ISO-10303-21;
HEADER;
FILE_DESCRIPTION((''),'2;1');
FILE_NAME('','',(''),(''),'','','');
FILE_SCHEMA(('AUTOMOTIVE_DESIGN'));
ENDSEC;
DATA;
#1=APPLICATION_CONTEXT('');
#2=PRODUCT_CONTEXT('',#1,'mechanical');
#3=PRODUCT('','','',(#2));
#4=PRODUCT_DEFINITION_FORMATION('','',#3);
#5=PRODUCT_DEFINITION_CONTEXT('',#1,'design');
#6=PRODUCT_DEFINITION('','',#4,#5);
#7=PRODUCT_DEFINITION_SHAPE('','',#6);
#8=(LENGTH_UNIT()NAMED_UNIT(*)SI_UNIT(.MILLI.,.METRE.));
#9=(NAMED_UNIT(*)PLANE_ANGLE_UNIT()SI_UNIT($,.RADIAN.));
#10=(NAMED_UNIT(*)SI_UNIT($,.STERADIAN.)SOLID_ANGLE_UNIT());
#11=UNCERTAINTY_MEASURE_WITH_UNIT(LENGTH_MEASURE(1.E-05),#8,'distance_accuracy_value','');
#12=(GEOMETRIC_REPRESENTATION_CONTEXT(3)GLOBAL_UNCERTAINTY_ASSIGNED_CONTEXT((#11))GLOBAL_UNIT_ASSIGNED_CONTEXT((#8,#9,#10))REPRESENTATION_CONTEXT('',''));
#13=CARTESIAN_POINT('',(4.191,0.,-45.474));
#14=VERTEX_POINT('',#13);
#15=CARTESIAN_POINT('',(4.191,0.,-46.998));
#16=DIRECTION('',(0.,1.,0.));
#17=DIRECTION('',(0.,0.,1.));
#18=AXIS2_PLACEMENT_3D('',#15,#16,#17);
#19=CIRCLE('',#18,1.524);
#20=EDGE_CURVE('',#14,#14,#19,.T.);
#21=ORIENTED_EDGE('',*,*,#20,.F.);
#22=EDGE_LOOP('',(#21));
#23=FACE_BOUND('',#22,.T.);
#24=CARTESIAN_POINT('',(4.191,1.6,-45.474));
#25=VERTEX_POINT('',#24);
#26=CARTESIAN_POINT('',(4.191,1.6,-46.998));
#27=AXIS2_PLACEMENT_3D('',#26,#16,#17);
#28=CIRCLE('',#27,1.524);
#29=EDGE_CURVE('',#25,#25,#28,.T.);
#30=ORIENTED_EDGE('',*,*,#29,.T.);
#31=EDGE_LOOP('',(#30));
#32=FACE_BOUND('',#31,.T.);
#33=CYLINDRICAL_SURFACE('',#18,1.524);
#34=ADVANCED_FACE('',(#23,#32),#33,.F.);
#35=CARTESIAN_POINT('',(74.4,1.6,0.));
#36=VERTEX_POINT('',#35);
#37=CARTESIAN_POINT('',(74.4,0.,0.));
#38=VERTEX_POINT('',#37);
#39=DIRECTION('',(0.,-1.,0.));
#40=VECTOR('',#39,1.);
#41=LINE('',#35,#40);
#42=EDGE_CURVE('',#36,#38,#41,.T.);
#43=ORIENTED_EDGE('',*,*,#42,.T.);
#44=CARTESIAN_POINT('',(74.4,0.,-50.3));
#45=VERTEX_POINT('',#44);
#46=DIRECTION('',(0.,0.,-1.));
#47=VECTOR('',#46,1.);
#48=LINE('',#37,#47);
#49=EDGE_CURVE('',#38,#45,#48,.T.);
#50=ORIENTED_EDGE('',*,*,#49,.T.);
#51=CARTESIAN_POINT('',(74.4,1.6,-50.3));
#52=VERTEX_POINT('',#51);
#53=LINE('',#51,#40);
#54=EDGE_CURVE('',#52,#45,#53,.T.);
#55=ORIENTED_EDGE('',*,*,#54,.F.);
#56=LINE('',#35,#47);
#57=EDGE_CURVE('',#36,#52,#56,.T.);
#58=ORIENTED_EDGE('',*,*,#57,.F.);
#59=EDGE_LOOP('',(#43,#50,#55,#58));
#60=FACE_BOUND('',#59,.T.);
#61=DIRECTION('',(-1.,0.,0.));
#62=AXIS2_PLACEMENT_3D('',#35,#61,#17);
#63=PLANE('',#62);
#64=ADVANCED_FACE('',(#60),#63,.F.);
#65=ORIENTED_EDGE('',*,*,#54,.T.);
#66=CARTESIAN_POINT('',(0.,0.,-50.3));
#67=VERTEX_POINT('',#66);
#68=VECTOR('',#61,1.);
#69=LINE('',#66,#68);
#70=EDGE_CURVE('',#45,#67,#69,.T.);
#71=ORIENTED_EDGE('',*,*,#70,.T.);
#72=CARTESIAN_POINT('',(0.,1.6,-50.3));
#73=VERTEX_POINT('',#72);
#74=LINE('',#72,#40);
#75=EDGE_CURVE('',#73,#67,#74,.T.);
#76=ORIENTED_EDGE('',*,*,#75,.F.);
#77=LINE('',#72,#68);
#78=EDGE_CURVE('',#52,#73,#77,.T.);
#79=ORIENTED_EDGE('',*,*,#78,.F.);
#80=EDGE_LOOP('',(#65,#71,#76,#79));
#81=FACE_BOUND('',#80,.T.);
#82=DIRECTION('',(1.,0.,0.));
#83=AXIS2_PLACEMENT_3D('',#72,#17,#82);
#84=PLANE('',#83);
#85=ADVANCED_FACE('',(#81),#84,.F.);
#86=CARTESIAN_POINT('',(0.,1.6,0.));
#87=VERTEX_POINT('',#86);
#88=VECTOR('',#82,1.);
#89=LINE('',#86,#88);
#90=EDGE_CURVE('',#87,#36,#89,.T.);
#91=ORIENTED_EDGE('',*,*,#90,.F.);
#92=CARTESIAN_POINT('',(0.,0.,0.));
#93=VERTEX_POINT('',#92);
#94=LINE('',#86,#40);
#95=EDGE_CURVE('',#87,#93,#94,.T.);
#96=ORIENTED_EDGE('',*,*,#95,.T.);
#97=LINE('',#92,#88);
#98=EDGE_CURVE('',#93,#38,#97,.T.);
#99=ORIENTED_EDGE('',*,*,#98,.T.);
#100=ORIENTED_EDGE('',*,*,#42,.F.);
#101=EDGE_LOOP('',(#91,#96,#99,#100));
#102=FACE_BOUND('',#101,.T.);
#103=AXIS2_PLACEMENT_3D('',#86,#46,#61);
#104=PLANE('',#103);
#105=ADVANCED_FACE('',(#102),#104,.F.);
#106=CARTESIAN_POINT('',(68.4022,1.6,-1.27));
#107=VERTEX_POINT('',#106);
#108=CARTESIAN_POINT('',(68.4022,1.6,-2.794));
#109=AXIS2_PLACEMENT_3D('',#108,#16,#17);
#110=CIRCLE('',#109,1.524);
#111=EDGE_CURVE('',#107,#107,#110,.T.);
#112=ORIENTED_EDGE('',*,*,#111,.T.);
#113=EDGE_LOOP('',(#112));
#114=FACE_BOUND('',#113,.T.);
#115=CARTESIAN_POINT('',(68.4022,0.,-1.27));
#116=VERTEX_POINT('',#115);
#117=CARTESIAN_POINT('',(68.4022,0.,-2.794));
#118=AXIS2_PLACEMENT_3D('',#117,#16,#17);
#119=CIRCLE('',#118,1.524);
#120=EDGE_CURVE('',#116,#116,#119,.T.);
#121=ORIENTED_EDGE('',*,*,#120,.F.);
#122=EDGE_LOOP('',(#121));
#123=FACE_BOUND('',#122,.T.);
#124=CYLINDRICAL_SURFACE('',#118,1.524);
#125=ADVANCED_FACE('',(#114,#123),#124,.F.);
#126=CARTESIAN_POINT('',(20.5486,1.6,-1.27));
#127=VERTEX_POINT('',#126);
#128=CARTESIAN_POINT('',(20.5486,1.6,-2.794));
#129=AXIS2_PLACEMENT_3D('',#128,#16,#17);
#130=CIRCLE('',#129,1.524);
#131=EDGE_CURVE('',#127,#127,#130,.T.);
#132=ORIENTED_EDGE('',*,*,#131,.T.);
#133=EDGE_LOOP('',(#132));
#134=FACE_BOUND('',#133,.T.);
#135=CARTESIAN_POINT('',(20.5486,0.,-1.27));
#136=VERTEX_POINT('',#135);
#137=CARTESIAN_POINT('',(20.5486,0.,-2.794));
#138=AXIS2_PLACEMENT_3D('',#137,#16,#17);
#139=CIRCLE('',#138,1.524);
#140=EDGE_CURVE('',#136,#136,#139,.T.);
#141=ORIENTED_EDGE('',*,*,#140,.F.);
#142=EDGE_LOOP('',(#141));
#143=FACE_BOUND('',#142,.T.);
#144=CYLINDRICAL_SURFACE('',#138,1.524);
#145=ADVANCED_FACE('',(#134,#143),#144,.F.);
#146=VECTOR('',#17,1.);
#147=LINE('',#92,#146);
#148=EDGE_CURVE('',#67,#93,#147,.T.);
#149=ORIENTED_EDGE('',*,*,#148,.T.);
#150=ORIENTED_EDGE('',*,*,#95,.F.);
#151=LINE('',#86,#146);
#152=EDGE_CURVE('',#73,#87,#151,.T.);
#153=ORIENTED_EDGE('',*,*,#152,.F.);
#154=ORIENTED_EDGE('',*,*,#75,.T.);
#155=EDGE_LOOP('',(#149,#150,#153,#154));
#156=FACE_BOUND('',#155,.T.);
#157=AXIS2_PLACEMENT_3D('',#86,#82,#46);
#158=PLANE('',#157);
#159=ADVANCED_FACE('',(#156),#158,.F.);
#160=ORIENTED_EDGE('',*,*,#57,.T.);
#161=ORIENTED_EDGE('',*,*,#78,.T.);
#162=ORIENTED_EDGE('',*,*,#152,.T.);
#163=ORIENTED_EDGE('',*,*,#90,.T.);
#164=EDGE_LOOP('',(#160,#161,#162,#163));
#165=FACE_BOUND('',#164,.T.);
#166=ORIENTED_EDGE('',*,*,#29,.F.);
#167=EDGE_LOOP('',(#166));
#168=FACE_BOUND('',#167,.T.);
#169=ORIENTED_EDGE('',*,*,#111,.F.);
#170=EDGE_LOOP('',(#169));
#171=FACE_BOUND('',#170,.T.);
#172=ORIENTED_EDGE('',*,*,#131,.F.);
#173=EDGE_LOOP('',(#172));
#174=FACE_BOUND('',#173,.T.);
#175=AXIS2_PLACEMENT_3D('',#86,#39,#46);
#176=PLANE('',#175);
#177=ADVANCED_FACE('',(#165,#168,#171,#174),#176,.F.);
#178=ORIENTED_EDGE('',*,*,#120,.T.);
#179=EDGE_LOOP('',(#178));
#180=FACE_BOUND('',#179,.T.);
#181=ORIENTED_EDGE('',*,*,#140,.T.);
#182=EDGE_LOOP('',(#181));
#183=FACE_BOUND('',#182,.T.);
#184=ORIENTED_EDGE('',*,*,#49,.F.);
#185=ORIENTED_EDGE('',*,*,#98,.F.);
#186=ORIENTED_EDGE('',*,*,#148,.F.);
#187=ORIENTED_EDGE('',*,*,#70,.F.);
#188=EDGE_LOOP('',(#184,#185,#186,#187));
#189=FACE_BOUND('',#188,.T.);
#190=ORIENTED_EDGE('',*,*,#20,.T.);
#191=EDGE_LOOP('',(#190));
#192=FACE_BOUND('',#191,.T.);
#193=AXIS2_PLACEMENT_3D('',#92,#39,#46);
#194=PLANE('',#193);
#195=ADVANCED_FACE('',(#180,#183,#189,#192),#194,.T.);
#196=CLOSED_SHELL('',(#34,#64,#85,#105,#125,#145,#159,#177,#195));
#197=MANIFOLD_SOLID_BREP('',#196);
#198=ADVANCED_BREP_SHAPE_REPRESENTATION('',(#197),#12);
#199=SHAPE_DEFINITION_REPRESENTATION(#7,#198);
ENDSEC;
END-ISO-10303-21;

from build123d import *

# Parameters (mm, degrees)
SKETCH1_W           = 74.4
SKETCH1_H           = 50.3
BOSS_EXTRUDE1_DEPTH = 1.6
SKETCH3_R           = 1.524
CUT_EXTRUDE1_DEPTH  = 1.6


with BuildPart() as part:
    # Sketch1 → Boss-Extrude1 (new body)
    with BuildSketch(Plane(origin=(0, 0, 0), x_dir=(1, 0, 0), z_dir=(0, 1, 0))):
        with Locations((37.2, 25.15)):
            Rectangle(SKETCH1_W, SKETCH1_H)
    extrude(amount=BOSS_EXTRUDE1_DEPTH)

    # Sketch3 → Cut-Extrude1 (cut)
    with BuildSketch(Plane(origin=(0, 1.6, 0), x_dir=(1, 0, 0), z_dir=(0, 1, 0))):
        with Locations(Location((20.5486, 2.794, 0), (0, 0, 270))):
            Circle(SKETCH3_R)
        with Locations(Location((68.4022, 2.794, 0), (0, 0, 270))):
            Circle(SKETCH3_R)
        with Locations(Location((4.191, 46.998, 0), (0, 0, 270))):
            Circle(SKETCH3_R)
    extrude(amount=-CUT_EXTRUDE1_DEPTH, mode=Mode.SUBTRACT)


solid = part.part
